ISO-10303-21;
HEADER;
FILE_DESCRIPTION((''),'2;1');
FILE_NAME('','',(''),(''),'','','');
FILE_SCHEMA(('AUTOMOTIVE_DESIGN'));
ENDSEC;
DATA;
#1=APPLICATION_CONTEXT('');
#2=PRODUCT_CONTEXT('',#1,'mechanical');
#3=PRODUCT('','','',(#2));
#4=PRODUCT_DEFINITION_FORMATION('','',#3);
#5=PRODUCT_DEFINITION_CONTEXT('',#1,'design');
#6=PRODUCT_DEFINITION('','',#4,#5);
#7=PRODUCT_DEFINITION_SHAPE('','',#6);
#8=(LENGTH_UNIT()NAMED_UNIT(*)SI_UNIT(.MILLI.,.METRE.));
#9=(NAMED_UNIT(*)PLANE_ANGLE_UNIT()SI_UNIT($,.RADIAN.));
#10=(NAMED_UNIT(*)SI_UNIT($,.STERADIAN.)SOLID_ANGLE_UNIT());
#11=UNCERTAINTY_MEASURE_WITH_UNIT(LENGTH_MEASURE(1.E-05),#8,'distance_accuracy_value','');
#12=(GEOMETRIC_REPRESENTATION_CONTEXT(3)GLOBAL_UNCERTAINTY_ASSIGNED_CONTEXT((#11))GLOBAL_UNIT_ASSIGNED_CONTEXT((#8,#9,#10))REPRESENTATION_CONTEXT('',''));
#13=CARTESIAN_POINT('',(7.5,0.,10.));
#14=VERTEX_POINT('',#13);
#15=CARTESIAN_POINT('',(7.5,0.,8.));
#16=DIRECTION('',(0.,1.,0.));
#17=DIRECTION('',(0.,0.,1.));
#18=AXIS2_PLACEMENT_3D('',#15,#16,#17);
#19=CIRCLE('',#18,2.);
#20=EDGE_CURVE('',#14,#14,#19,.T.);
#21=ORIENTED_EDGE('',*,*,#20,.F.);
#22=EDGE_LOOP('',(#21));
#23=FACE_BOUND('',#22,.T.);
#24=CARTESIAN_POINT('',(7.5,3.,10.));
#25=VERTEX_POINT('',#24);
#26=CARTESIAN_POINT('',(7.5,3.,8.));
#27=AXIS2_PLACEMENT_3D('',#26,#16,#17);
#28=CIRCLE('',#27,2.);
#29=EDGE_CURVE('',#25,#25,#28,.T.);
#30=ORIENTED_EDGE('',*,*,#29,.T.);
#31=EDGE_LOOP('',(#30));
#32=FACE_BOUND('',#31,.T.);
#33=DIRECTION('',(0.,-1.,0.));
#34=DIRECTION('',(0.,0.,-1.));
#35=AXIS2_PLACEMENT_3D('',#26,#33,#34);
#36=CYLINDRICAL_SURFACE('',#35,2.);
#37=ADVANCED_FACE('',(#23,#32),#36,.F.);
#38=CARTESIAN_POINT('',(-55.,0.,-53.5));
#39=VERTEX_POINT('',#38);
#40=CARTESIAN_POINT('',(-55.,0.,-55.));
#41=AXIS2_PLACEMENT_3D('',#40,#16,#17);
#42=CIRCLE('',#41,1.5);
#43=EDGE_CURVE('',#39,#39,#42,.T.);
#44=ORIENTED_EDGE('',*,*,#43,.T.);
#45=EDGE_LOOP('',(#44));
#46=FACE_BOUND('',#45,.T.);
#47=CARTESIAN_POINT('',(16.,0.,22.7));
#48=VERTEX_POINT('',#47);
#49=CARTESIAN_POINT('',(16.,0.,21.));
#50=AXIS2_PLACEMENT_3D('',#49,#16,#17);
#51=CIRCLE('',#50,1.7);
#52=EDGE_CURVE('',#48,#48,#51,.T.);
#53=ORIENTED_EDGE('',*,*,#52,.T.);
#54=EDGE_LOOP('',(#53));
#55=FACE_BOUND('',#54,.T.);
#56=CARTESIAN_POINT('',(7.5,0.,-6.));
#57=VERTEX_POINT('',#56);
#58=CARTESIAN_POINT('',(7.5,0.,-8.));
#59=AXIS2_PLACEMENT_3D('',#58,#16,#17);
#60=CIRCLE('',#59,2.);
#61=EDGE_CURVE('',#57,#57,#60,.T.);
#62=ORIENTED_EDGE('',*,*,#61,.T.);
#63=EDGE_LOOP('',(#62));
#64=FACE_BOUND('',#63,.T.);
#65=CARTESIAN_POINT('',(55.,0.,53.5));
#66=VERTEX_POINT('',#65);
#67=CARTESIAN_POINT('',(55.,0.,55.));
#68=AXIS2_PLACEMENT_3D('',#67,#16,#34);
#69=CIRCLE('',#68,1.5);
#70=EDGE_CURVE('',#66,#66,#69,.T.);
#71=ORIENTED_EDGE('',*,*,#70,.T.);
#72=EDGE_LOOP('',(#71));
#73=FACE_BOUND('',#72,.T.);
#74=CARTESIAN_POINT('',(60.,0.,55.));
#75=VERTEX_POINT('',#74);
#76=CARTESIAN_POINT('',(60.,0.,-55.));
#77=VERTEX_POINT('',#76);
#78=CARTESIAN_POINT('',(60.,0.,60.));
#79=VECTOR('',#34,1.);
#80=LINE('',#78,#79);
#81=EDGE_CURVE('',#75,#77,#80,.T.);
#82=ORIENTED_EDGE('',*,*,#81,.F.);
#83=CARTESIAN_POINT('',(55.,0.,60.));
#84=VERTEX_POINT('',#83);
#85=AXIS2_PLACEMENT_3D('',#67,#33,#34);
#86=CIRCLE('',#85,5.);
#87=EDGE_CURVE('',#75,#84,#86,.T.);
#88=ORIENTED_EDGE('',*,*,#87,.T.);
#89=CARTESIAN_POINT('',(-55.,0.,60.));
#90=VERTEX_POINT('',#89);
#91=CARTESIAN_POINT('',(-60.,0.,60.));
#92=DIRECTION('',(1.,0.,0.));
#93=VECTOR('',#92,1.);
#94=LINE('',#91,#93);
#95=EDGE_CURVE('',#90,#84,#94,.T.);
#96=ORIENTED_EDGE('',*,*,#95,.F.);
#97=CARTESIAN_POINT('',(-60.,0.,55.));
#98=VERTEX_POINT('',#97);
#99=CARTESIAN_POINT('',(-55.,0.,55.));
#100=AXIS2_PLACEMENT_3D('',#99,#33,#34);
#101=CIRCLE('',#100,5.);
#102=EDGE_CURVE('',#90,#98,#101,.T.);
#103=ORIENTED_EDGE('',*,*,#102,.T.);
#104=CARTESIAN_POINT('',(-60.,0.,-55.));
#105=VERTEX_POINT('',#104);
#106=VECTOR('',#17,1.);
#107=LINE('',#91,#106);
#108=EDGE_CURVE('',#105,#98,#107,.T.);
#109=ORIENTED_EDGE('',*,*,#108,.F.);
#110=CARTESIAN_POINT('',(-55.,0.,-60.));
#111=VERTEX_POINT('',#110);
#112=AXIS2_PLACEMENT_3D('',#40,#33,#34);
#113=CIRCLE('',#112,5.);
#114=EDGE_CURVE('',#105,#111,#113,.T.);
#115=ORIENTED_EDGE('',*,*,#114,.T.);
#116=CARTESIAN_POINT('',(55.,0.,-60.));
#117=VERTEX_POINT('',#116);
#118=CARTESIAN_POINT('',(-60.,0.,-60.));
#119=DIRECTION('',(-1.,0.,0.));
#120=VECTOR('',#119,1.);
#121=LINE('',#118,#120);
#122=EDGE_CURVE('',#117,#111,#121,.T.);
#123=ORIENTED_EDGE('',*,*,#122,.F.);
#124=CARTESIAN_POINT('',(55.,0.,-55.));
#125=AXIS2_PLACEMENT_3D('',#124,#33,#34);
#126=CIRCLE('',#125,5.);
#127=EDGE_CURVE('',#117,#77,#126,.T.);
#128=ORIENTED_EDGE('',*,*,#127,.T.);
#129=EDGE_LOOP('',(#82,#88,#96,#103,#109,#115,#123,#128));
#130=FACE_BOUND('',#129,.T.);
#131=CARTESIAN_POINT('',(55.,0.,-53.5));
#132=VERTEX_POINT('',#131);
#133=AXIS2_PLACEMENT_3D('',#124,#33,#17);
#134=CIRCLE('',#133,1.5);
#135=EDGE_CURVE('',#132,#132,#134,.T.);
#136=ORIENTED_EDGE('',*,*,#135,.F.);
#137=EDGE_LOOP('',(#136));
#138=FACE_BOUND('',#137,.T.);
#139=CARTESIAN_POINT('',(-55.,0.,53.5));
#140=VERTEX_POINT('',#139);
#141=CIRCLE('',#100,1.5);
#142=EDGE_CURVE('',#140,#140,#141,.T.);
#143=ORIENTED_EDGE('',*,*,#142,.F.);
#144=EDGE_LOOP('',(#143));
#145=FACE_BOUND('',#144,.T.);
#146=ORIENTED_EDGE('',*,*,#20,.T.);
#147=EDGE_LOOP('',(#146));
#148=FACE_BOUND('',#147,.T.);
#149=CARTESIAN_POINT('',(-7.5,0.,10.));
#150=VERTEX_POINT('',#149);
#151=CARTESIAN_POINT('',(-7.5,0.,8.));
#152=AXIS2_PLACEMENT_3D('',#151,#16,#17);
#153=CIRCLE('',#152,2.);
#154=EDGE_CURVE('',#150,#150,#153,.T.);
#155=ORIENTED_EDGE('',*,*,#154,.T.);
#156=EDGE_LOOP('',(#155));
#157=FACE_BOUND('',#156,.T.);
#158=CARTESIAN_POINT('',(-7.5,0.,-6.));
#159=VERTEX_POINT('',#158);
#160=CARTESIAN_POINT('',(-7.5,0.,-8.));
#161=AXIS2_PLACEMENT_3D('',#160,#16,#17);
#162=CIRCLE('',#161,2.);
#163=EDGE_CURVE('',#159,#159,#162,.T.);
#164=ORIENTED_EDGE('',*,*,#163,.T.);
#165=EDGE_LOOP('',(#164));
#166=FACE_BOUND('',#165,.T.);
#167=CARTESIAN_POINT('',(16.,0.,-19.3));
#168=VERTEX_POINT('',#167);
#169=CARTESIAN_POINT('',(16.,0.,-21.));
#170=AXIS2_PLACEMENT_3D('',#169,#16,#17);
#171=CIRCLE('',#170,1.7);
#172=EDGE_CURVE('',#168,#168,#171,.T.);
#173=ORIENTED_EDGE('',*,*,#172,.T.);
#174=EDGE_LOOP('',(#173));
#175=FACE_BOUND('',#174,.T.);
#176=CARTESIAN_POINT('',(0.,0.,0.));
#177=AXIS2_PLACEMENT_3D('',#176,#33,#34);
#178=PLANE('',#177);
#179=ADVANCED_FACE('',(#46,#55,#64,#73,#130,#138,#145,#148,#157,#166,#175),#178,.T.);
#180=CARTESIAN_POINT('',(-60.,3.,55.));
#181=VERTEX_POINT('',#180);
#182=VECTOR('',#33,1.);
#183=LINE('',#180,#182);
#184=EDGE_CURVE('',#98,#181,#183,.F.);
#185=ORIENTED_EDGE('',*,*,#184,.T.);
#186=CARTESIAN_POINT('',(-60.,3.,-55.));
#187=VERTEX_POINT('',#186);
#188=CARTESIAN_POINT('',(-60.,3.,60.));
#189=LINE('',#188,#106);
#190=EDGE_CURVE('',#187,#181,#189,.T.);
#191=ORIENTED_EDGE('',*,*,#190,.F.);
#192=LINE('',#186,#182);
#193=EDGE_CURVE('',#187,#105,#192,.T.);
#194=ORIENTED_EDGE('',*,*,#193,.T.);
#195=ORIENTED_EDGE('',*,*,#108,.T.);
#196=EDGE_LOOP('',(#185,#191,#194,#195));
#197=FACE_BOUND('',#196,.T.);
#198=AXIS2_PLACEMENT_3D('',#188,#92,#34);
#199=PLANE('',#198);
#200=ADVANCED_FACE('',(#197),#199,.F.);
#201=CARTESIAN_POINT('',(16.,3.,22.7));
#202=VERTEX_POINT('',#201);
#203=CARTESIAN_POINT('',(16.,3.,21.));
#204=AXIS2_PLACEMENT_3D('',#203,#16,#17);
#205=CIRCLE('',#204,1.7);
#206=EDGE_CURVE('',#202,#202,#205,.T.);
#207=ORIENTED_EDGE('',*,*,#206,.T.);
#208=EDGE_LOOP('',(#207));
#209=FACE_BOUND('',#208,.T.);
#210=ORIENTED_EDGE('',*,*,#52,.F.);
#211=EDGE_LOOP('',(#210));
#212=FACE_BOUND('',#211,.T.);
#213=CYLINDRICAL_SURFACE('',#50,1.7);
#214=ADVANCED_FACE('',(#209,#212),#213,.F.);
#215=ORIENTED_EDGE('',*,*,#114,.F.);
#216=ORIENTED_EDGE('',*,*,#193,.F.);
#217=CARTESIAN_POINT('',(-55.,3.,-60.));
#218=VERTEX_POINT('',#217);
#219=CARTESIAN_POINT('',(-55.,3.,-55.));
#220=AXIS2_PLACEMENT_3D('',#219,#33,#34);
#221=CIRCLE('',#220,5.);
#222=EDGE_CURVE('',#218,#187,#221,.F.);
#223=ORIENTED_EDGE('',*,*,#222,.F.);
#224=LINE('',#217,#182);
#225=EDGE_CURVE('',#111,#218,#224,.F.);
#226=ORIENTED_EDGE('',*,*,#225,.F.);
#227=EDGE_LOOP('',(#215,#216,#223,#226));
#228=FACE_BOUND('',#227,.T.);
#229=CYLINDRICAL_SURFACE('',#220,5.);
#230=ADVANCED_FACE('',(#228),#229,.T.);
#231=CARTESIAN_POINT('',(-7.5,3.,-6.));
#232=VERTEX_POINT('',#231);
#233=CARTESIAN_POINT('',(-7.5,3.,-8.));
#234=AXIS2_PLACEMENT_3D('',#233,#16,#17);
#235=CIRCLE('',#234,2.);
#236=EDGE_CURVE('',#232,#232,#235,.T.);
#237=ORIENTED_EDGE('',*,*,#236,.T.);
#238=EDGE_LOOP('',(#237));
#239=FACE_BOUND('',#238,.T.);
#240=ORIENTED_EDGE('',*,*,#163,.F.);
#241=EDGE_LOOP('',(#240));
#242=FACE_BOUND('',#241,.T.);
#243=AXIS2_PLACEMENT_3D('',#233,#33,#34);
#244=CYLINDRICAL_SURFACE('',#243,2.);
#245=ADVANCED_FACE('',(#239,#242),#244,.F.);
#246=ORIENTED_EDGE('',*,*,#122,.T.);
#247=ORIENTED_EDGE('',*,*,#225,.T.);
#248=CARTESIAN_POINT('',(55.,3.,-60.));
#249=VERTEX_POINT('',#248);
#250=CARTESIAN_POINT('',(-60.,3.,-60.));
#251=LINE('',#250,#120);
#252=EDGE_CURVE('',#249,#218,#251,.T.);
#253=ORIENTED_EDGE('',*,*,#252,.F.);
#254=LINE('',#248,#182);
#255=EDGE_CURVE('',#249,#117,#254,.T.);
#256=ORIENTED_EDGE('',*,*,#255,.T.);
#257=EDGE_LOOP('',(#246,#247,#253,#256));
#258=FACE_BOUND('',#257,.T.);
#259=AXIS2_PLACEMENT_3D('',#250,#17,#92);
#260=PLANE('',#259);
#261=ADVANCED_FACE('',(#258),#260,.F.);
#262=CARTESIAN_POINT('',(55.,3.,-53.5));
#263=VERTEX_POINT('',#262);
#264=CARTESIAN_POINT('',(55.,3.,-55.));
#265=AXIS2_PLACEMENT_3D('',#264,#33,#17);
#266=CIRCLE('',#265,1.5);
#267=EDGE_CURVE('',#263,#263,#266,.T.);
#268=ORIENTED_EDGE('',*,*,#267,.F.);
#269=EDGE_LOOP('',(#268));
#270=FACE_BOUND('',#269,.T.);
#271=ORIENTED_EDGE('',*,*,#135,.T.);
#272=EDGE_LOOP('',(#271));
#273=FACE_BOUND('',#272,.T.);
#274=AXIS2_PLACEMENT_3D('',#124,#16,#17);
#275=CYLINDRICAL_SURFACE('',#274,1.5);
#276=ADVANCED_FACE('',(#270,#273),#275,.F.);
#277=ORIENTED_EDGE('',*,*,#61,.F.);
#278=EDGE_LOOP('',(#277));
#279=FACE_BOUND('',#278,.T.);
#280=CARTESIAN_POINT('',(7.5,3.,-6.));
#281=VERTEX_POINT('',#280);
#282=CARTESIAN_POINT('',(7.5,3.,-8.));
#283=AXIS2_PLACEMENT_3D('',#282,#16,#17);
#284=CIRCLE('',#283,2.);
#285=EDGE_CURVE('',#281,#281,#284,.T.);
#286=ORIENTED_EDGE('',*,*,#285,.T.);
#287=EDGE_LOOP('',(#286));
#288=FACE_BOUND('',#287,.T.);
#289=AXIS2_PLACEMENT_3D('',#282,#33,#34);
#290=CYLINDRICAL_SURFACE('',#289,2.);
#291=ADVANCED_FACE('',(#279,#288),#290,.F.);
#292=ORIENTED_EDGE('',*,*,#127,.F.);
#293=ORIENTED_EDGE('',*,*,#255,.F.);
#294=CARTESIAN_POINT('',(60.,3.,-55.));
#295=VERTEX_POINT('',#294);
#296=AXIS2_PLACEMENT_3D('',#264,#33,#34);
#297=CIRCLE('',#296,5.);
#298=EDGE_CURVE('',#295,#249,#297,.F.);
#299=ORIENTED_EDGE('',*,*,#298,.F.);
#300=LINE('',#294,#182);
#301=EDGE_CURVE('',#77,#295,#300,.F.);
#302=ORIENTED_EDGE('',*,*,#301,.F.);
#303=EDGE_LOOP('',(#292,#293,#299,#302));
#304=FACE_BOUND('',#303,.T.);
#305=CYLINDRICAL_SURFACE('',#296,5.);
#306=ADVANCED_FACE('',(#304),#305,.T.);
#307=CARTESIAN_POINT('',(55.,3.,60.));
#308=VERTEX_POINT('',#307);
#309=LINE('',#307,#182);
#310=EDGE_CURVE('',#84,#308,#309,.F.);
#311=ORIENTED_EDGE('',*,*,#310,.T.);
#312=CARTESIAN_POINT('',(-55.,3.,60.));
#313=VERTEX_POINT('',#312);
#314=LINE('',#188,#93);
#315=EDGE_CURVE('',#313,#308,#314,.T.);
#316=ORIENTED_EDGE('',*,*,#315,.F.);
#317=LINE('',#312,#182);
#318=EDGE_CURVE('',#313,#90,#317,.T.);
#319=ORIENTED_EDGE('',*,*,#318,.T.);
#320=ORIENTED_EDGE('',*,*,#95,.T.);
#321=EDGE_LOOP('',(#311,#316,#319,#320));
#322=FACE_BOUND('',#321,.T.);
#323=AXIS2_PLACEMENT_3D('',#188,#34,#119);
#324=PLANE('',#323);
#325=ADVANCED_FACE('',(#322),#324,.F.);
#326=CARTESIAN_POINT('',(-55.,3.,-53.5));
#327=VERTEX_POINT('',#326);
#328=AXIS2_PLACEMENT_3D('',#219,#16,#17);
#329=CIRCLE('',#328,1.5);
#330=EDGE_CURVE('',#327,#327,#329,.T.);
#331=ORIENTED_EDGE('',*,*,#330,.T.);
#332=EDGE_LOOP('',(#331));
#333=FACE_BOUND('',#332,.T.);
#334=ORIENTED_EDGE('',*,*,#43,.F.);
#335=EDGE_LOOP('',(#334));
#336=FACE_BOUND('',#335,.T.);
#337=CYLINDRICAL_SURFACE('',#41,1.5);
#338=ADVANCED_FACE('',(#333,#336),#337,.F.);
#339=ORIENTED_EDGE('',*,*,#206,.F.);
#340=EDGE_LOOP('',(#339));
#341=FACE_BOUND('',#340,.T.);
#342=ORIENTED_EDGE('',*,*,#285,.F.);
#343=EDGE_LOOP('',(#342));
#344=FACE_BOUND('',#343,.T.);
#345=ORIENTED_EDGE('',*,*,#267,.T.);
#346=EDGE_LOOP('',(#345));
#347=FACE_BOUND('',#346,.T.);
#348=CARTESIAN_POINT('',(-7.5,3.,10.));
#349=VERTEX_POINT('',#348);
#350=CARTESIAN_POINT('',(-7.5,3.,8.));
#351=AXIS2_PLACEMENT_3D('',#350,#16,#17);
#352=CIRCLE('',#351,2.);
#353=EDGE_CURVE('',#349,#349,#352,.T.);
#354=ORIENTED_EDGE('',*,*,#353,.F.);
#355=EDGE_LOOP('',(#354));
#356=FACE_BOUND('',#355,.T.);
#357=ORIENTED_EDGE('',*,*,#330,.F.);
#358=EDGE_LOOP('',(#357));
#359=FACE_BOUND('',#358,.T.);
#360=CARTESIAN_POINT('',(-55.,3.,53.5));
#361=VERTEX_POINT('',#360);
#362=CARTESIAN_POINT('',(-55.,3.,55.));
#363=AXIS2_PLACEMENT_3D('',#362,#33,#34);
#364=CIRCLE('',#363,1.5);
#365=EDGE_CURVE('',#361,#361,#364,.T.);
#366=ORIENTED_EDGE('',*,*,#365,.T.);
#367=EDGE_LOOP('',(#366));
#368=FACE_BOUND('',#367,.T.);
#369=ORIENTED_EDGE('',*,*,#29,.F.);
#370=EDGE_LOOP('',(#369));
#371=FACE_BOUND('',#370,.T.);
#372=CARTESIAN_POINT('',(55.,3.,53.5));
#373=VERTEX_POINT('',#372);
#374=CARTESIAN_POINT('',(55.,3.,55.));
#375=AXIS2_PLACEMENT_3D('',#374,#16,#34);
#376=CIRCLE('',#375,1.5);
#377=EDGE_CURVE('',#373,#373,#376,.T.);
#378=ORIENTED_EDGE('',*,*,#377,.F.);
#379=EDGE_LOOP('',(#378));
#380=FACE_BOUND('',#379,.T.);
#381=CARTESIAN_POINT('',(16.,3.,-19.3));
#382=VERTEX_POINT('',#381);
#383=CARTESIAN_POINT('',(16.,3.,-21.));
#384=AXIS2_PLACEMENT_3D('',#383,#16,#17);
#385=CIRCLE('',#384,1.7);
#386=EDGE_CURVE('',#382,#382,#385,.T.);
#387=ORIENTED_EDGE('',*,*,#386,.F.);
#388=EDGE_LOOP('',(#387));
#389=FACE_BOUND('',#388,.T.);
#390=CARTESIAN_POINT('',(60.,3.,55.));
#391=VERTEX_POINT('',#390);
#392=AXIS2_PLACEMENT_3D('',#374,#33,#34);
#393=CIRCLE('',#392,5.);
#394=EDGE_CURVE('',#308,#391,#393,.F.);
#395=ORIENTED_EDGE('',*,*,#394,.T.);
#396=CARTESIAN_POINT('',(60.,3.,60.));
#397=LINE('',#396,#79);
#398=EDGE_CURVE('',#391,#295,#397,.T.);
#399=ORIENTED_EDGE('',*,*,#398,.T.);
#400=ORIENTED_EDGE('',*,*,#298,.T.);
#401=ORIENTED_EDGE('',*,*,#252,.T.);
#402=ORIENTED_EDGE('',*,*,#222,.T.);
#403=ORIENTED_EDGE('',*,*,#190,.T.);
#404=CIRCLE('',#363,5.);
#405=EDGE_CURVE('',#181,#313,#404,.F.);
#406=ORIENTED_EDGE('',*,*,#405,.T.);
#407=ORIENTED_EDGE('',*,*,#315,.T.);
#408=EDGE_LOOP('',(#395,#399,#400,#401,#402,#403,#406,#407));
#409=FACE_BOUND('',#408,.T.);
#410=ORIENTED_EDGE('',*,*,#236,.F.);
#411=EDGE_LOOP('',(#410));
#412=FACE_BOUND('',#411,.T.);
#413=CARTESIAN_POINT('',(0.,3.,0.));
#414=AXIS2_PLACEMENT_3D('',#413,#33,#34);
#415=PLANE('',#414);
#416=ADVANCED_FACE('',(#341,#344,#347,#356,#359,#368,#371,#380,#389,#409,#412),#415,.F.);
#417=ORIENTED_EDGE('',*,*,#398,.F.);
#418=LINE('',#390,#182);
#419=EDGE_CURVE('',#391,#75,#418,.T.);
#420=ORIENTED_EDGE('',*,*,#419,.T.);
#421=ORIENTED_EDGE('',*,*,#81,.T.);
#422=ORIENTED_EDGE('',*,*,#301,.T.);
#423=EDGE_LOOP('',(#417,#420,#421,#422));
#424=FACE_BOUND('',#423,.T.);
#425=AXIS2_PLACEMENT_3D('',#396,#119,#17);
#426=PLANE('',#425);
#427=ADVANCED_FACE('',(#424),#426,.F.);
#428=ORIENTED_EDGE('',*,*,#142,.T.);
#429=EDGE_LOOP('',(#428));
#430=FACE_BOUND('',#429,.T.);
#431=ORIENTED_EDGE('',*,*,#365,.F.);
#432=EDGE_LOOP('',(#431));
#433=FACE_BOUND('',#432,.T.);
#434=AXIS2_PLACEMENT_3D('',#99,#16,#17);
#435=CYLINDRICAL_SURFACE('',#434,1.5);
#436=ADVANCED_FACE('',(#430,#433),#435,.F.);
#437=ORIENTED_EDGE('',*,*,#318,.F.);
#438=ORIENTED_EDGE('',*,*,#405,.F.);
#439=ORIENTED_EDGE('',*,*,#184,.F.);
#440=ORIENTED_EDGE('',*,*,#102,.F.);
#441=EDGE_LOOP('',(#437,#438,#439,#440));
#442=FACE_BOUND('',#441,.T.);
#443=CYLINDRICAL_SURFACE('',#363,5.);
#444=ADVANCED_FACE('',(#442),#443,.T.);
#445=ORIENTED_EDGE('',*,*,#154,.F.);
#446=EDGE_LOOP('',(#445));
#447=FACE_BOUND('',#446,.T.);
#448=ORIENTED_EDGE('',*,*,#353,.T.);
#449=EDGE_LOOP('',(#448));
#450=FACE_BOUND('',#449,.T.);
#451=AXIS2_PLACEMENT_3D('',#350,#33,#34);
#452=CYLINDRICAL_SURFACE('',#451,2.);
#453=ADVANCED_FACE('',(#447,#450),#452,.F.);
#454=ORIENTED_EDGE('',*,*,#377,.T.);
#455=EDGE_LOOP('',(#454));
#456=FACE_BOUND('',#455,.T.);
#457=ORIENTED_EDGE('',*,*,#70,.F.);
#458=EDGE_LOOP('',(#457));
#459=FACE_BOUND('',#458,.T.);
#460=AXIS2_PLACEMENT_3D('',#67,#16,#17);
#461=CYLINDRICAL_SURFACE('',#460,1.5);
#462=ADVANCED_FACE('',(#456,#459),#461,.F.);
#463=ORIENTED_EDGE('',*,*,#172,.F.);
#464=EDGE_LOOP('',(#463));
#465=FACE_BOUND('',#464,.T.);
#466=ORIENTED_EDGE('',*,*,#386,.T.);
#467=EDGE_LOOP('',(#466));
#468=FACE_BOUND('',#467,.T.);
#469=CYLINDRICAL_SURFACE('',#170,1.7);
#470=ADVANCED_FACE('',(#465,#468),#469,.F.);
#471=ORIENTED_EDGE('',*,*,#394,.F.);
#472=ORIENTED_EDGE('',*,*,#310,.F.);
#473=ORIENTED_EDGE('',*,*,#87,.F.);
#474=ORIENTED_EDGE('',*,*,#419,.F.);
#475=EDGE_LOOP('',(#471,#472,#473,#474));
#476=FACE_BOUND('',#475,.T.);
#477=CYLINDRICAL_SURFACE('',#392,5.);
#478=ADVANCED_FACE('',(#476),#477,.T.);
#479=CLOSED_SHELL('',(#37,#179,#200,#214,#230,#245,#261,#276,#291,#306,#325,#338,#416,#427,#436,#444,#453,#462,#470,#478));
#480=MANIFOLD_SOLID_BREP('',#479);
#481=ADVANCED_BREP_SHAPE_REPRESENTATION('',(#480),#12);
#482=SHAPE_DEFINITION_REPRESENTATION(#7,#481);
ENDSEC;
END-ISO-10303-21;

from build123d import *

# Parameters (mm, degrees)
SKETCH1_W                                  = 120
SKETCH1_H                                  = 120
SKETCH1_R                                  = 2
BOSS_EXTRUDE1_DEPTH                        = 3
FILLET1_R                                  = 5
SKETCH2_R                                  = 1.5
CUT_EXTRUDE1_DEPTH                         = 85.905830189
MIRROR3_AT_THE_SECOND_PLANE_COPY_1_SKETC_R = 1.5
MIRROR3_AT_THE_SECOND_PLANE_COPY_1_DEPTH   = 85.905830189
SKETCH3_R                                  = 1.7
CUT_EXTRUDE2_DEPTH                         = 85.905830189


with BuildPart() as part:
    # Sketch1 → Boss-Extrude1 (new body)
    with BuildSketch(Plane(origin=(0, 0, 0), x_dir=(1, 0, 0), z_dir=(0, 1, 0))):
        Rectangle(SKETCH1_W, SKETCH1_H)
        with Locations(Location((-7.5, -8, 0), (0, 0, 270))):
            Circle(SKETCH1_R, mode=Mode.SUBTRACT)
        with Locations(Location((7.5, 8, 0), (0, 0, 270))):
            Circle(SKETCH1_R, mode=Mode.SUBTRACT)
        with Locations(Location((7.5, -8, 0), (0, 0, 270))):
            Circle(SKETCH1_R, mode=Mode.SUBTRACT)
        with Locations(Location((-7.5, 8, 0), (0, 0, 270))):
            Circle(SKETCH1_R, mode=Mode.SUBTRACT)
    extrude(amount=BOSS_EXTRUDE1_DEPTH)

    # Fillet1
    fillet1_edges = [part.edges().sort_by_distance(p)[0] for p in [
        (60, 1.5, 60),
        (-60, 1.5, 60),
        (-60, 1.5, -60),
        (60, 1.5, -60),
    ]]
    fillet(fillet1_edges, radius=FILLET1_R)

    # Sketch2 → Cut-Extrude1 (cut, through all)
    with BuildSketch(Plane(origin=(0, 3, 0), x_dir=(1, 0, 0), z_dir=(0, 1, 0))):
        with Locations(Location((-55, 55, 0), (0, 0, 270))):
            Circle(SKETCH2_R)
    cut_extrude1 = extrude(amount=-CUT_EXTRUDE1_DEPTH, mode=Mode.SUBTRACT)

    # Mirror3: Cut-Extrude1 across plane
    add(cut_extrude1.mirror(Plane.XY), mode=Mode.SUBTRACT)

    # Mirror3 at the second plane: Cut-Extrude1 across plane
    add(cut_extrude1.mirror(Plane(origin=(0, 0, 0), x_dir=(0, 0, 1), z_dir=(1, 0, 0))), mode=Mode.SUBTRACT)

    # Mirror3 at the second plane copy 1 sketc → Mirror3 at the second plane copy 1 (cut, through all)
    with BuildSketch(Plane(origin=(0, 3, 0), x_dir=(-1, 0, 0), z_dir=(0, 1, 0))):
        with Locations(Location((-55, 55, 0), (0, 0, 270))):
            Circle(MIRROR3_AT_THE_SECOND_PLANE_COPY_1_SKETC_R)
    extrude(amount=-MIRROR3_AT_THE_SECOND_PLANE_COPY_1_DEPTH, mode=Mode.SUBTRACT)

    # Sketch3 → Cut-Extrude2 (cut, through all)
    with BuildSketch(Plane(origin=(0, 3, 0), x_dir=(1, 0, 0), z_dir=(0, 1, 0))):
        with Locations(Location((16, 21, 0), (0, 0, 270))):
            Circle(SKETCH3_R)
        with Locations(Location((16, -21, 0), (0, 0, 270))):
            Circle(SKETCH3_R)
    extrude(amount=-CUT_EXTRUDE2_DEPTH, mode=Mode.SUBTRACT)


solid = part.part
